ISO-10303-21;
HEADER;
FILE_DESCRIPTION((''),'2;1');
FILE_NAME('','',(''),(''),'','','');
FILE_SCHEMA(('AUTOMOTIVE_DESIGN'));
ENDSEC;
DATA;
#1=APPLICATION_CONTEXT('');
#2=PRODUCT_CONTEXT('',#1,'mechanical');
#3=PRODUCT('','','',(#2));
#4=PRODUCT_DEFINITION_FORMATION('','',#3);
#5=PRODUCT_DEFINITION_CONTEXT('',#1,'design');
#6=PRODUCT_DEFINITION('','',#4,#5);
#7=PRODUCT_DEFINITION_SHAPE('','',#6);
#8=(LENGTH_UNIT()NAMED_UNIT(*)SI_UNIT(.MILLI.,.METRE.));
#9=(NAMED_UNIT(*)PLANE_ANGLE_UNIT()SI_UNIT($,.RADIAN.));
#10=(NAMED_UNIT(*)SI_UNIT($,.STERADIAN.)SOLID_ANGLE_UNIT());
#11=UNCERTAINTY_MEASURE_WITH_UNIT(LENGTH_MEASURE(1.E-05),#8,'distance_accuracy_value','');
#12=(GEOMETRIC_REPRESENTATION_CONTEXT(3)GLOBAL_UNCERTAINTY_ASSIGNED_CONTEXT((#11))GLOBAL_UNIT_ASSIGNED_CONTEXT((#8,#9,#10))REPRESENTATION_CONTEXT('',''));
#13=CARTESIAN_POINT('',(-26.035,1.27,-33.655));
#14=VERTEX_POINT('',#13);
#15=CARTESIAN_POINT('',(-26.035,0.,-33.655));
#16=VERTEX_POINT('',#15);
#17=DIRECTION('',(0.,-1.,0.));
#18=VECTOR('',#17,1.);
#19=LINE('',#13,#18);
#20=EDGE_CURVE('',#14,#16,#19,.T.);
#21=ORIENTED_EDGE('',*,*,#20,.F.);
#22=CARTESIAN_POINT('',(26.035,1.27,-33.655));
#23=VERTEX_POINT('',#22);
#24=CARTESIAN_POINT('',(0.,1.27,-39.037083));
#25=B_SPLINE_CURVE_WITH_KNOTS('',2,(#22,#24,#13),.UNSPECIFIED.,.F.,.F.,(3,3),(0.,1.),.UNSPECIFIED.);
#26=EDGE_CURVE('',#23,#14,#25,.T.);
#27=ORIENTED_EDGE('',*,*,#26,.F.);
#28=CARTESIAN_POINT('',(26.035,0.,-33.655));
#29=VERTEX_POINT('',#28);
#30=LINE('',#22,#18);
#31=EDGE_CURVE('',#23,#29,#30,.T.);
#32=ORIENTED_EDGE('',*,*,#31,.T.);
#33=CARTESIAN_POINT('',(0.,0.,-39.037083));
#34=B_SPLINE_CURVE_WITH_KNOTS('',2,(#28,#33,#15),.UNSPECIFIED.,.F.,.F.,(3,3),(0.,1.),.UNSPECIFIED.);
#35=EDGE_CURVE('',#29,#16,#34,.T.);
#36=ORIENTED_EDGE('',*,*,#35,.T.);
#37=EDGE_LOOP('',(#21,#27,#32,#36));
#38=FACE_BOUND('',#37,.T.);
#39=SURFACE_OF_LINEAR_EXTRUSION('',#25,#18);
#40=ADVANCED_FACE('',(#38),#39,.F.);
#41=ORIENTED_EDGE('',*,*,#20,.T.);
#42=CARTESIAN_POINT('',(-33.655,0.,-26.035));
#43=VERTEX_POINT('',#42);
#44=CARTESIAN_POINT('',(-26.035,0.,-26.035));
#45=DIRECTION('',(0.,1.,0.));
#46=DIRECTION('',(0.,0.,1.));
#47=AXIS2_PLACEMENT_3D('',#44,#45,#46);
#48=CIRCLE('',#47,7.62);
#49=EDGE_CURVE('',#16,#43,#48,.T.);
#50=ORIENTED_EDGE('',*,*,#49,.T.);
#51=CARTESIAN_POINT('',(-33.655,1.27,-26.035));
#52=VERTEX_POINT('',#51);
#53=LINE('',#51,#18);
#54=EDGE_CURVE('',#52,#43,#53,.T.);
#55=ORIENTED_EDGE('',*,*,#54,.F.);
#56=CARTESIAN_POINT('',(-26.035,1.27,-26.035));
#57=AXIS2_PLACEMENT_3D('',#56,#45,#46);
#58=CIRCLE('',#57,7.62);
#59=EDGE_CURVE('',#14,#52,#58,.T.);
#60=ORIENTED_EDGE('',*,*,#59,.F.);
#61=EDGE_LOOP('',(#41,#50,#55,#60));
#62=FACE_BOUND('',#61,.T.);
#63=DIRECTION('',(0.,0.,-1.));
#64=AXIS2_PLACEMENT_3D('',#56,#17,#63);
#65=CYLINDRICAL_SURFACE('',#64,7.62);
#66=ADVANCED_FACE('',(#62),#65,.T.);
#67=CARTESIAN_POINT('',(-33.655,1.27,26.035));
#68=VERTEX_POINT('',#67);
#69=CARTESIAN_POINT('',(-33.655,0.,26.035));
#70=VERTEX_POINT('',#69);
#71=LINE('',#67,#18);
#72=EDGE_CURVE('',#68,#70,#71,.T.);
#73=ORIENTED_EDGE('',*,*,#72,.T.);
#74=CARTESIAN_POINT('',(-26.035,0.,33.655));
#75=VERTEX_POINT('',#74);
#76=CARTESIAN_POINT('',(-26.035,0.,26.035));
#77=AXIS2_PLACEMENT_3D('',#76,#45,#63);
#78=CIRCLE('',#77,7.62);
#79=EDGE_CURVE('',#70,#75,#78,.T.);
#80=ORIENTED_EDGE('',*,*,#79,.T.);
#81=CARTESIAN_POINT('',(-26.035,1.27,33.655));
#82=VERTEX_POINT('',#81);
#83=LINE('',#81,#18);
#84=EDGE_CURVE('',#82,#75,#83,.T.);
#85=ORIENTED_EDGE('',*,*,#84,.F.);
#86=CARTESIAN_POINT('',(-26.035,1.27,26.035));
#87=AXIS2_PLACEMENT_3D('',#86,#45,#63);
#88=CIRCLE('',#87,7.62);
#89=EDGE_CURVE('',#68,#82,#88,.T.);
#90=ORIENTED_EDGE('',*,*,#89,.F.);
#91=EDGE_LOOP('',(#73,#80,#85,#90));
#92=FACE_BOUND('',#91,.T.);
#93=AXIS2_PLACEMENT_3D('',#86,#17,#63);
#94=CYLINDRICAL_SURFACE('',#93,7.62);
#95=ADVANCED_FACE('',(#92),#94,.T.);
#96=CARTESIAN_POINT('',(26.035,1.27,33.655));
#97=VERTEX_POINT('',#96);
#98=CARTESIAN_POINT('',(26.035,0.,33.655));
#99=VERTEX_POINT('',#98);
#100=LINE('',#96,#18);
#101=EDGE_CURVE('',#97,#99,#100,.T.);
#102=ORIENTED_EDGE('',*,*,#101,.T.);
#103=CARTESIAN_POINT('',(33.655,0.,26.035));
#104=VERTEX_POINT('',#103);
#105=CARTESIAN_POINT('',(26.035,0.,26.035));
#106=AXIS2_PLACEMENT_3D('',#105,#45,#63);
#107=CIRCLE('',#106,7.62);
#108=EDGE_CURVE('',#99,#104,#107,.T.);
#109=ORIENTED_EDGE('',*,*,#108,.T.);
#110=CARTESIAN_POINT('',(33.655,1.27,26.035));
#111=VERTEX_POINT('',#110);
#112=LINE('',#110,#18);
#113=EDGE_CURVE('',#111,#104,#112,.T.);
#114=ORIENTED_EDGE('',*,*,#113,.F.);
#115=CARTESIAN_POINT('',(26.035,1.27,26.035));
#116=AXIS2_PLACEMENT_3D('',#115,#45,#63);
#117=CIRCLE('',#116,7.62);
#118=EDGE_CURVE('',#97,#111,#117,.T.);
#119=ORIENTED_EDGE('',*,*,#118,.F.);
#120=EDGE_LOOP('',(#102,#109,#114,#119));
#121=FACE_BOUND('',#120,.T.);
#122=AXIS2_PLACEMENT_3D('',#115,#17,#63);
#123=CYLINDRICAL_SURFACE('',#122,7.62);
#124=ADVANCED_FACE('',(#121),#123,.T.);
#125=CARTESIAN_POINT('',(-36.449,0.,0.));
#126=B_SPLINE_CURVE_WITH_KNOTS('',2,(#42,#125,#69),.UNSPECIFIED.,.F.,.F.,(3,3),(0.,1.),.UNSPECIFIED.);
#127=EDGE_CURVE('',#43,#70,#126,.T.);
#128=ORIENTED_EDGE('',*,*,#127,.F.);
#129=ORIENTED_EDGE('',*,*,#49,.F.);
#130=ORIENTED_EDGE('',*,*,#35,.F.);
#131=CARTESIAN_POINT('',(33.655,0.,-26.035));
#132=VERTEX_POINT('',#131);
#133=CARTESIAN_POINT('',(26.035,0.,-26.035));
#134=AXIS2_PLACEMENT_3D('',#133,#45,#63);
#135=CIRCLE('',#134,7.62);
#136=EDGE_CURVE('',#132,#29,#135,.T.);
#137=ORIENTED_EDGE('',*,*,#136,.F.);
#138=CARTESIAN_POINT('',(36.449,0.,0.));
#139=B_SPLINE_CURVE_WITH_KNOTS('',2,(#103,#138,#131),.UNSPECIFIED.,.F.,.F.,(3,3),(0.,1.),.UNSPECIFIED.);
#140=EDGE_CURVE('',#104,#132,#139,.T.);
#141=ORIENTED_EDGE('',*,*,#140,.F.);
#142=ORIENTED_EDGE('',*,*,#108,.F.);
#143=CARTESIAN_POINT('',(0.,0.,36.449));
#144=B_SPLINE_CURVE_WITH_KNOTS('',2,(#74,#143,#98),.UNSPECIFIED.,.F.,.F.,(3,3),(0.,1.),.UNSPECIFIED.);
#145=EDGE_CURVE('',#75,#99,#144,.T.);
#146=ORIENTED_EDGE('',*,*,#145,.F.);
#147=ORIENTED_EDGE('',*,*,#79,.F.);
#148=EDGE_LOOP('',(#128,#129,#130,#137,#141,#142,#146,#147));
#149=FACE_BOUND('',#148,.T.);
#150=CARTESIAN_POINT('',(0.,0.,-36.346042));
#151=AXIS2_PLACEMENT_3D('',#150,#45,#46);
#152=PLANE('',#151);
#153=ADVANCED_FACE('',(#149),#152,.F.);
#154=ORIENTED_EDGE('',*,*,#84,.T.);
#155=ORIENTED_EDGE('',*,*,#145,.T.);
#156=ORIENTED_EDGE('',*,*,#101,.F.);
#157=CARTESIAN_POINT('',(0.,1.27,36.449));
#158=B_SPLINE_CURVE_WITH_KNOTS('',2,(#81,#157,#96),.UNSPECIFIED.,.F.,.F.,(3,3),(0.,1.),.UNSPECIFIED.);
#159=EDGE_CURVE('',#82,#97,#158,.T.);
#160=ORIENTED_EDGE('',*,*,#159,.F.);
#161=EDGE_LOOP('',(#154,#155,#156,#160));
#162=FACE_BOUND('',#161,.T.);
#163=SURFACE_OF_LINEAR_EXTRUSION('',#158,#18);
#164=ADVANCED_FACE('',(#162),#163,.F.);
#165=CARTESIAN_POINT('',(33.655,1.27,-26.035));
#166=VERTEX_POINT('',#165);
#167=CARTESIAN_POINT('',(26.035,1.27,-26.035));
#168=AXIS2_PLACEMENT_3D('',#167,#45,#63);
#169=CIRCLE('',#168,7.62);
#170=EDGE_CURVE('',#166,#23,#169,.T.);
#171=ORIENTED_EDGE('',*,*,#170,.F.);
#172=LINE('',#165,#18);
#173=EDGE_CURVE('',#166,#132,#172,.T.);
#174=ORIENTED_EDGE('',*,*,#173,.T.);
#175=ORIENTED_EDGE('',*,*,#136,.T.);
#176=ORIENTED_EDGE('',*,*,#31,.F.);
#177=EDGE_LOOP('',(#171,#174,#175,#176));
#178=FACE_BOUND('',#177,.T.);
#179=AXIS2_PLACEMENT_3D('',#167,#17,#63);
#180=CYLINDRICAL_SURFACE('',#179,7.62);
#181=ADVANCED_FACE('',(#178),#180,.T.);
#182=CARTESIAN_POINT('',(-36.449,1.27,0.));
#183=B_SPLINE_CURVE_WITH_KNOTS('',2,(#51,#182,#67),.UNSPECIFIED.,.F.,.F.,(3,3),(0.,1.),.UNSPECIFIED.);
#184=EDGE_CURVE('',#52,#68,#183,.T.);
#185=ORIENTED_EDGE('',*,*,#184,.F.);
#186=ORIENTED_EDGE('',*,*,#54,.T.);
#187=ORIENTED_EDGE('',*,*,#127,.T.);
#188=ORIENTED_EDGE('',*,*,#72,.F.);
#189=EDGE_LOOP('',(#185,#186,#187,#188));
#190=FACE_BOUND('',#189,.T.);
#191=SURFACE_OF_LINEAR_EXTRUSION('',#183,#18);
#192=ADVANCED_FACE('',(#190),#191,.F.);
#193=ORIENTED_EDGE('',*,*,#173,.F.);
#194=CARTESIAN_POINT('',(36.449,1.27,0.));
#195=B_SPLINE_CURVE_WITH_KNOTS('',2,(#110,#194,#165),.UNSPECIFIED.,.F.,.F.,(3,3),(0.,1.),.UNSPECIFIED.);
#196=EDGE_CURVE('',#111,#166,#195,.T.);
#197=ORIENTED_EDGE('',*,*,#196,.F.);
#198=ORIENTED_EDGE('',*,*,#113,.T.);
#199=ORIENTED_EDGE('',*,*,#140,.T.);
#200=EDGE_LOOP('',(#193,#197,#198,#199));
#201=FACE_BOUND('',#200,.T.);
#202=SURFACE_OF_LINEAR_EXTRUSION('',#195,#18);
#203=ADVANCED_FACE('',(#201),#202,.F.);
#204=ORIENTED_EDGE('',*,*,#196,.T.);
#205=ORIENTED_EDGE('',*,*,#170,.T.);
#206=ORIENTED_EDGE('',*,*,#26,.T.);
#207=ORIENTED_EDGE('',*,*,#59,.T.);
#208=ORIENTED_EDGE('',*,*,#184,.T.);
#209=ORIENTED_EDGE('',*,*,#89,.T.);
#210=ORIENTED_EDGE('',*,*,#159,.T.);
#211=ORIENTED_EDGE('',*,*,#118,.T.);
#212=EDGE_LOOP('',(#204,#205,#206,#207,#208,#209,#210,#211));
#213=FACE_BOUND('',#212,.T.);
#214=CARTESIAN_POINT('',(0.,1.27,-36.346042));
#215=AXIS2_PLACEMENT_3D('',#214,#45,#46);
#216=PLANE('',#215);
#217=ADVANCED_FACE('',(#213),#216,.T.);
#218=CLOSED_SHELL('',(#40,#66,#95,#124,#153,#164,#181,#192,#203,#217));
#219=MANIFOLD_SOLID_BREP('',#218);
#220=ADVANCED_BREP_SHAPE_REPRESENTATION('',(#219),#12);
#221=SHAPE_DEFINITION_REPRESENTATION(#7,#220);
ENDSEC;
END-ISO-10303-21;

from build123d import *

# Parameters (mm, degrees)
BOSS_EXTRUDE1_DEPTH = 1.27


with BuildPart() as part:
    # Sketch1 → Boss-Extrude1 (new body)
    with BuildSketch(Plane(origin=(0, 0, 0), x_dir=(1, 0, 0), z_dir=(0, 1, 0))):
        with BuildLine():
            ThreePointArc((26.035, 33.655), (31.423153673, 31.423153673), (33.655, 26.035))
            add(Edge.make_bspline(
                [(33.655, 26.035), (36.449, 0), (33.655, -26.035)],
                knots=[0, 0, 0, 1, 1, 1], degree=2))
            ThreePointArc((33.655, -26.035), (31.423153673, -31.423153673), (26.035, -33.655))
            add(Edge.make_bspline(
                [(-26.035, -33.655), (0, -36.449), (26.035, -33.655)],
                knots=[0, 0, 0, 1, 1, 1], degree=2))
            ThreePointArc((-26.035, -33.655), (-31.423153673, -31.423153673), (-33.655, -26.035))
            add(Edge.make_bspline(
                [(-33.655, 26.035), (-36.449, 0), (-33.655, -26.035)],
                knots=[0, 0, 0, 1, 1, 1], degree=2))
            ThreePointArc((-33.655, 26.035), (-31.423153673, 31.423153673), (-26.035, 33.655))
            add(Edge.make_bspline(
                [(-26.035, 33.655), (0, 39.037083155), (26.035, 33.655)],
                knots=[0, 0, 0, 1, 1, 1], degree=2))
        make_face()
    extrude(amount=BOSS_EXTRUDE1_DEPTH)


solid = part.part
